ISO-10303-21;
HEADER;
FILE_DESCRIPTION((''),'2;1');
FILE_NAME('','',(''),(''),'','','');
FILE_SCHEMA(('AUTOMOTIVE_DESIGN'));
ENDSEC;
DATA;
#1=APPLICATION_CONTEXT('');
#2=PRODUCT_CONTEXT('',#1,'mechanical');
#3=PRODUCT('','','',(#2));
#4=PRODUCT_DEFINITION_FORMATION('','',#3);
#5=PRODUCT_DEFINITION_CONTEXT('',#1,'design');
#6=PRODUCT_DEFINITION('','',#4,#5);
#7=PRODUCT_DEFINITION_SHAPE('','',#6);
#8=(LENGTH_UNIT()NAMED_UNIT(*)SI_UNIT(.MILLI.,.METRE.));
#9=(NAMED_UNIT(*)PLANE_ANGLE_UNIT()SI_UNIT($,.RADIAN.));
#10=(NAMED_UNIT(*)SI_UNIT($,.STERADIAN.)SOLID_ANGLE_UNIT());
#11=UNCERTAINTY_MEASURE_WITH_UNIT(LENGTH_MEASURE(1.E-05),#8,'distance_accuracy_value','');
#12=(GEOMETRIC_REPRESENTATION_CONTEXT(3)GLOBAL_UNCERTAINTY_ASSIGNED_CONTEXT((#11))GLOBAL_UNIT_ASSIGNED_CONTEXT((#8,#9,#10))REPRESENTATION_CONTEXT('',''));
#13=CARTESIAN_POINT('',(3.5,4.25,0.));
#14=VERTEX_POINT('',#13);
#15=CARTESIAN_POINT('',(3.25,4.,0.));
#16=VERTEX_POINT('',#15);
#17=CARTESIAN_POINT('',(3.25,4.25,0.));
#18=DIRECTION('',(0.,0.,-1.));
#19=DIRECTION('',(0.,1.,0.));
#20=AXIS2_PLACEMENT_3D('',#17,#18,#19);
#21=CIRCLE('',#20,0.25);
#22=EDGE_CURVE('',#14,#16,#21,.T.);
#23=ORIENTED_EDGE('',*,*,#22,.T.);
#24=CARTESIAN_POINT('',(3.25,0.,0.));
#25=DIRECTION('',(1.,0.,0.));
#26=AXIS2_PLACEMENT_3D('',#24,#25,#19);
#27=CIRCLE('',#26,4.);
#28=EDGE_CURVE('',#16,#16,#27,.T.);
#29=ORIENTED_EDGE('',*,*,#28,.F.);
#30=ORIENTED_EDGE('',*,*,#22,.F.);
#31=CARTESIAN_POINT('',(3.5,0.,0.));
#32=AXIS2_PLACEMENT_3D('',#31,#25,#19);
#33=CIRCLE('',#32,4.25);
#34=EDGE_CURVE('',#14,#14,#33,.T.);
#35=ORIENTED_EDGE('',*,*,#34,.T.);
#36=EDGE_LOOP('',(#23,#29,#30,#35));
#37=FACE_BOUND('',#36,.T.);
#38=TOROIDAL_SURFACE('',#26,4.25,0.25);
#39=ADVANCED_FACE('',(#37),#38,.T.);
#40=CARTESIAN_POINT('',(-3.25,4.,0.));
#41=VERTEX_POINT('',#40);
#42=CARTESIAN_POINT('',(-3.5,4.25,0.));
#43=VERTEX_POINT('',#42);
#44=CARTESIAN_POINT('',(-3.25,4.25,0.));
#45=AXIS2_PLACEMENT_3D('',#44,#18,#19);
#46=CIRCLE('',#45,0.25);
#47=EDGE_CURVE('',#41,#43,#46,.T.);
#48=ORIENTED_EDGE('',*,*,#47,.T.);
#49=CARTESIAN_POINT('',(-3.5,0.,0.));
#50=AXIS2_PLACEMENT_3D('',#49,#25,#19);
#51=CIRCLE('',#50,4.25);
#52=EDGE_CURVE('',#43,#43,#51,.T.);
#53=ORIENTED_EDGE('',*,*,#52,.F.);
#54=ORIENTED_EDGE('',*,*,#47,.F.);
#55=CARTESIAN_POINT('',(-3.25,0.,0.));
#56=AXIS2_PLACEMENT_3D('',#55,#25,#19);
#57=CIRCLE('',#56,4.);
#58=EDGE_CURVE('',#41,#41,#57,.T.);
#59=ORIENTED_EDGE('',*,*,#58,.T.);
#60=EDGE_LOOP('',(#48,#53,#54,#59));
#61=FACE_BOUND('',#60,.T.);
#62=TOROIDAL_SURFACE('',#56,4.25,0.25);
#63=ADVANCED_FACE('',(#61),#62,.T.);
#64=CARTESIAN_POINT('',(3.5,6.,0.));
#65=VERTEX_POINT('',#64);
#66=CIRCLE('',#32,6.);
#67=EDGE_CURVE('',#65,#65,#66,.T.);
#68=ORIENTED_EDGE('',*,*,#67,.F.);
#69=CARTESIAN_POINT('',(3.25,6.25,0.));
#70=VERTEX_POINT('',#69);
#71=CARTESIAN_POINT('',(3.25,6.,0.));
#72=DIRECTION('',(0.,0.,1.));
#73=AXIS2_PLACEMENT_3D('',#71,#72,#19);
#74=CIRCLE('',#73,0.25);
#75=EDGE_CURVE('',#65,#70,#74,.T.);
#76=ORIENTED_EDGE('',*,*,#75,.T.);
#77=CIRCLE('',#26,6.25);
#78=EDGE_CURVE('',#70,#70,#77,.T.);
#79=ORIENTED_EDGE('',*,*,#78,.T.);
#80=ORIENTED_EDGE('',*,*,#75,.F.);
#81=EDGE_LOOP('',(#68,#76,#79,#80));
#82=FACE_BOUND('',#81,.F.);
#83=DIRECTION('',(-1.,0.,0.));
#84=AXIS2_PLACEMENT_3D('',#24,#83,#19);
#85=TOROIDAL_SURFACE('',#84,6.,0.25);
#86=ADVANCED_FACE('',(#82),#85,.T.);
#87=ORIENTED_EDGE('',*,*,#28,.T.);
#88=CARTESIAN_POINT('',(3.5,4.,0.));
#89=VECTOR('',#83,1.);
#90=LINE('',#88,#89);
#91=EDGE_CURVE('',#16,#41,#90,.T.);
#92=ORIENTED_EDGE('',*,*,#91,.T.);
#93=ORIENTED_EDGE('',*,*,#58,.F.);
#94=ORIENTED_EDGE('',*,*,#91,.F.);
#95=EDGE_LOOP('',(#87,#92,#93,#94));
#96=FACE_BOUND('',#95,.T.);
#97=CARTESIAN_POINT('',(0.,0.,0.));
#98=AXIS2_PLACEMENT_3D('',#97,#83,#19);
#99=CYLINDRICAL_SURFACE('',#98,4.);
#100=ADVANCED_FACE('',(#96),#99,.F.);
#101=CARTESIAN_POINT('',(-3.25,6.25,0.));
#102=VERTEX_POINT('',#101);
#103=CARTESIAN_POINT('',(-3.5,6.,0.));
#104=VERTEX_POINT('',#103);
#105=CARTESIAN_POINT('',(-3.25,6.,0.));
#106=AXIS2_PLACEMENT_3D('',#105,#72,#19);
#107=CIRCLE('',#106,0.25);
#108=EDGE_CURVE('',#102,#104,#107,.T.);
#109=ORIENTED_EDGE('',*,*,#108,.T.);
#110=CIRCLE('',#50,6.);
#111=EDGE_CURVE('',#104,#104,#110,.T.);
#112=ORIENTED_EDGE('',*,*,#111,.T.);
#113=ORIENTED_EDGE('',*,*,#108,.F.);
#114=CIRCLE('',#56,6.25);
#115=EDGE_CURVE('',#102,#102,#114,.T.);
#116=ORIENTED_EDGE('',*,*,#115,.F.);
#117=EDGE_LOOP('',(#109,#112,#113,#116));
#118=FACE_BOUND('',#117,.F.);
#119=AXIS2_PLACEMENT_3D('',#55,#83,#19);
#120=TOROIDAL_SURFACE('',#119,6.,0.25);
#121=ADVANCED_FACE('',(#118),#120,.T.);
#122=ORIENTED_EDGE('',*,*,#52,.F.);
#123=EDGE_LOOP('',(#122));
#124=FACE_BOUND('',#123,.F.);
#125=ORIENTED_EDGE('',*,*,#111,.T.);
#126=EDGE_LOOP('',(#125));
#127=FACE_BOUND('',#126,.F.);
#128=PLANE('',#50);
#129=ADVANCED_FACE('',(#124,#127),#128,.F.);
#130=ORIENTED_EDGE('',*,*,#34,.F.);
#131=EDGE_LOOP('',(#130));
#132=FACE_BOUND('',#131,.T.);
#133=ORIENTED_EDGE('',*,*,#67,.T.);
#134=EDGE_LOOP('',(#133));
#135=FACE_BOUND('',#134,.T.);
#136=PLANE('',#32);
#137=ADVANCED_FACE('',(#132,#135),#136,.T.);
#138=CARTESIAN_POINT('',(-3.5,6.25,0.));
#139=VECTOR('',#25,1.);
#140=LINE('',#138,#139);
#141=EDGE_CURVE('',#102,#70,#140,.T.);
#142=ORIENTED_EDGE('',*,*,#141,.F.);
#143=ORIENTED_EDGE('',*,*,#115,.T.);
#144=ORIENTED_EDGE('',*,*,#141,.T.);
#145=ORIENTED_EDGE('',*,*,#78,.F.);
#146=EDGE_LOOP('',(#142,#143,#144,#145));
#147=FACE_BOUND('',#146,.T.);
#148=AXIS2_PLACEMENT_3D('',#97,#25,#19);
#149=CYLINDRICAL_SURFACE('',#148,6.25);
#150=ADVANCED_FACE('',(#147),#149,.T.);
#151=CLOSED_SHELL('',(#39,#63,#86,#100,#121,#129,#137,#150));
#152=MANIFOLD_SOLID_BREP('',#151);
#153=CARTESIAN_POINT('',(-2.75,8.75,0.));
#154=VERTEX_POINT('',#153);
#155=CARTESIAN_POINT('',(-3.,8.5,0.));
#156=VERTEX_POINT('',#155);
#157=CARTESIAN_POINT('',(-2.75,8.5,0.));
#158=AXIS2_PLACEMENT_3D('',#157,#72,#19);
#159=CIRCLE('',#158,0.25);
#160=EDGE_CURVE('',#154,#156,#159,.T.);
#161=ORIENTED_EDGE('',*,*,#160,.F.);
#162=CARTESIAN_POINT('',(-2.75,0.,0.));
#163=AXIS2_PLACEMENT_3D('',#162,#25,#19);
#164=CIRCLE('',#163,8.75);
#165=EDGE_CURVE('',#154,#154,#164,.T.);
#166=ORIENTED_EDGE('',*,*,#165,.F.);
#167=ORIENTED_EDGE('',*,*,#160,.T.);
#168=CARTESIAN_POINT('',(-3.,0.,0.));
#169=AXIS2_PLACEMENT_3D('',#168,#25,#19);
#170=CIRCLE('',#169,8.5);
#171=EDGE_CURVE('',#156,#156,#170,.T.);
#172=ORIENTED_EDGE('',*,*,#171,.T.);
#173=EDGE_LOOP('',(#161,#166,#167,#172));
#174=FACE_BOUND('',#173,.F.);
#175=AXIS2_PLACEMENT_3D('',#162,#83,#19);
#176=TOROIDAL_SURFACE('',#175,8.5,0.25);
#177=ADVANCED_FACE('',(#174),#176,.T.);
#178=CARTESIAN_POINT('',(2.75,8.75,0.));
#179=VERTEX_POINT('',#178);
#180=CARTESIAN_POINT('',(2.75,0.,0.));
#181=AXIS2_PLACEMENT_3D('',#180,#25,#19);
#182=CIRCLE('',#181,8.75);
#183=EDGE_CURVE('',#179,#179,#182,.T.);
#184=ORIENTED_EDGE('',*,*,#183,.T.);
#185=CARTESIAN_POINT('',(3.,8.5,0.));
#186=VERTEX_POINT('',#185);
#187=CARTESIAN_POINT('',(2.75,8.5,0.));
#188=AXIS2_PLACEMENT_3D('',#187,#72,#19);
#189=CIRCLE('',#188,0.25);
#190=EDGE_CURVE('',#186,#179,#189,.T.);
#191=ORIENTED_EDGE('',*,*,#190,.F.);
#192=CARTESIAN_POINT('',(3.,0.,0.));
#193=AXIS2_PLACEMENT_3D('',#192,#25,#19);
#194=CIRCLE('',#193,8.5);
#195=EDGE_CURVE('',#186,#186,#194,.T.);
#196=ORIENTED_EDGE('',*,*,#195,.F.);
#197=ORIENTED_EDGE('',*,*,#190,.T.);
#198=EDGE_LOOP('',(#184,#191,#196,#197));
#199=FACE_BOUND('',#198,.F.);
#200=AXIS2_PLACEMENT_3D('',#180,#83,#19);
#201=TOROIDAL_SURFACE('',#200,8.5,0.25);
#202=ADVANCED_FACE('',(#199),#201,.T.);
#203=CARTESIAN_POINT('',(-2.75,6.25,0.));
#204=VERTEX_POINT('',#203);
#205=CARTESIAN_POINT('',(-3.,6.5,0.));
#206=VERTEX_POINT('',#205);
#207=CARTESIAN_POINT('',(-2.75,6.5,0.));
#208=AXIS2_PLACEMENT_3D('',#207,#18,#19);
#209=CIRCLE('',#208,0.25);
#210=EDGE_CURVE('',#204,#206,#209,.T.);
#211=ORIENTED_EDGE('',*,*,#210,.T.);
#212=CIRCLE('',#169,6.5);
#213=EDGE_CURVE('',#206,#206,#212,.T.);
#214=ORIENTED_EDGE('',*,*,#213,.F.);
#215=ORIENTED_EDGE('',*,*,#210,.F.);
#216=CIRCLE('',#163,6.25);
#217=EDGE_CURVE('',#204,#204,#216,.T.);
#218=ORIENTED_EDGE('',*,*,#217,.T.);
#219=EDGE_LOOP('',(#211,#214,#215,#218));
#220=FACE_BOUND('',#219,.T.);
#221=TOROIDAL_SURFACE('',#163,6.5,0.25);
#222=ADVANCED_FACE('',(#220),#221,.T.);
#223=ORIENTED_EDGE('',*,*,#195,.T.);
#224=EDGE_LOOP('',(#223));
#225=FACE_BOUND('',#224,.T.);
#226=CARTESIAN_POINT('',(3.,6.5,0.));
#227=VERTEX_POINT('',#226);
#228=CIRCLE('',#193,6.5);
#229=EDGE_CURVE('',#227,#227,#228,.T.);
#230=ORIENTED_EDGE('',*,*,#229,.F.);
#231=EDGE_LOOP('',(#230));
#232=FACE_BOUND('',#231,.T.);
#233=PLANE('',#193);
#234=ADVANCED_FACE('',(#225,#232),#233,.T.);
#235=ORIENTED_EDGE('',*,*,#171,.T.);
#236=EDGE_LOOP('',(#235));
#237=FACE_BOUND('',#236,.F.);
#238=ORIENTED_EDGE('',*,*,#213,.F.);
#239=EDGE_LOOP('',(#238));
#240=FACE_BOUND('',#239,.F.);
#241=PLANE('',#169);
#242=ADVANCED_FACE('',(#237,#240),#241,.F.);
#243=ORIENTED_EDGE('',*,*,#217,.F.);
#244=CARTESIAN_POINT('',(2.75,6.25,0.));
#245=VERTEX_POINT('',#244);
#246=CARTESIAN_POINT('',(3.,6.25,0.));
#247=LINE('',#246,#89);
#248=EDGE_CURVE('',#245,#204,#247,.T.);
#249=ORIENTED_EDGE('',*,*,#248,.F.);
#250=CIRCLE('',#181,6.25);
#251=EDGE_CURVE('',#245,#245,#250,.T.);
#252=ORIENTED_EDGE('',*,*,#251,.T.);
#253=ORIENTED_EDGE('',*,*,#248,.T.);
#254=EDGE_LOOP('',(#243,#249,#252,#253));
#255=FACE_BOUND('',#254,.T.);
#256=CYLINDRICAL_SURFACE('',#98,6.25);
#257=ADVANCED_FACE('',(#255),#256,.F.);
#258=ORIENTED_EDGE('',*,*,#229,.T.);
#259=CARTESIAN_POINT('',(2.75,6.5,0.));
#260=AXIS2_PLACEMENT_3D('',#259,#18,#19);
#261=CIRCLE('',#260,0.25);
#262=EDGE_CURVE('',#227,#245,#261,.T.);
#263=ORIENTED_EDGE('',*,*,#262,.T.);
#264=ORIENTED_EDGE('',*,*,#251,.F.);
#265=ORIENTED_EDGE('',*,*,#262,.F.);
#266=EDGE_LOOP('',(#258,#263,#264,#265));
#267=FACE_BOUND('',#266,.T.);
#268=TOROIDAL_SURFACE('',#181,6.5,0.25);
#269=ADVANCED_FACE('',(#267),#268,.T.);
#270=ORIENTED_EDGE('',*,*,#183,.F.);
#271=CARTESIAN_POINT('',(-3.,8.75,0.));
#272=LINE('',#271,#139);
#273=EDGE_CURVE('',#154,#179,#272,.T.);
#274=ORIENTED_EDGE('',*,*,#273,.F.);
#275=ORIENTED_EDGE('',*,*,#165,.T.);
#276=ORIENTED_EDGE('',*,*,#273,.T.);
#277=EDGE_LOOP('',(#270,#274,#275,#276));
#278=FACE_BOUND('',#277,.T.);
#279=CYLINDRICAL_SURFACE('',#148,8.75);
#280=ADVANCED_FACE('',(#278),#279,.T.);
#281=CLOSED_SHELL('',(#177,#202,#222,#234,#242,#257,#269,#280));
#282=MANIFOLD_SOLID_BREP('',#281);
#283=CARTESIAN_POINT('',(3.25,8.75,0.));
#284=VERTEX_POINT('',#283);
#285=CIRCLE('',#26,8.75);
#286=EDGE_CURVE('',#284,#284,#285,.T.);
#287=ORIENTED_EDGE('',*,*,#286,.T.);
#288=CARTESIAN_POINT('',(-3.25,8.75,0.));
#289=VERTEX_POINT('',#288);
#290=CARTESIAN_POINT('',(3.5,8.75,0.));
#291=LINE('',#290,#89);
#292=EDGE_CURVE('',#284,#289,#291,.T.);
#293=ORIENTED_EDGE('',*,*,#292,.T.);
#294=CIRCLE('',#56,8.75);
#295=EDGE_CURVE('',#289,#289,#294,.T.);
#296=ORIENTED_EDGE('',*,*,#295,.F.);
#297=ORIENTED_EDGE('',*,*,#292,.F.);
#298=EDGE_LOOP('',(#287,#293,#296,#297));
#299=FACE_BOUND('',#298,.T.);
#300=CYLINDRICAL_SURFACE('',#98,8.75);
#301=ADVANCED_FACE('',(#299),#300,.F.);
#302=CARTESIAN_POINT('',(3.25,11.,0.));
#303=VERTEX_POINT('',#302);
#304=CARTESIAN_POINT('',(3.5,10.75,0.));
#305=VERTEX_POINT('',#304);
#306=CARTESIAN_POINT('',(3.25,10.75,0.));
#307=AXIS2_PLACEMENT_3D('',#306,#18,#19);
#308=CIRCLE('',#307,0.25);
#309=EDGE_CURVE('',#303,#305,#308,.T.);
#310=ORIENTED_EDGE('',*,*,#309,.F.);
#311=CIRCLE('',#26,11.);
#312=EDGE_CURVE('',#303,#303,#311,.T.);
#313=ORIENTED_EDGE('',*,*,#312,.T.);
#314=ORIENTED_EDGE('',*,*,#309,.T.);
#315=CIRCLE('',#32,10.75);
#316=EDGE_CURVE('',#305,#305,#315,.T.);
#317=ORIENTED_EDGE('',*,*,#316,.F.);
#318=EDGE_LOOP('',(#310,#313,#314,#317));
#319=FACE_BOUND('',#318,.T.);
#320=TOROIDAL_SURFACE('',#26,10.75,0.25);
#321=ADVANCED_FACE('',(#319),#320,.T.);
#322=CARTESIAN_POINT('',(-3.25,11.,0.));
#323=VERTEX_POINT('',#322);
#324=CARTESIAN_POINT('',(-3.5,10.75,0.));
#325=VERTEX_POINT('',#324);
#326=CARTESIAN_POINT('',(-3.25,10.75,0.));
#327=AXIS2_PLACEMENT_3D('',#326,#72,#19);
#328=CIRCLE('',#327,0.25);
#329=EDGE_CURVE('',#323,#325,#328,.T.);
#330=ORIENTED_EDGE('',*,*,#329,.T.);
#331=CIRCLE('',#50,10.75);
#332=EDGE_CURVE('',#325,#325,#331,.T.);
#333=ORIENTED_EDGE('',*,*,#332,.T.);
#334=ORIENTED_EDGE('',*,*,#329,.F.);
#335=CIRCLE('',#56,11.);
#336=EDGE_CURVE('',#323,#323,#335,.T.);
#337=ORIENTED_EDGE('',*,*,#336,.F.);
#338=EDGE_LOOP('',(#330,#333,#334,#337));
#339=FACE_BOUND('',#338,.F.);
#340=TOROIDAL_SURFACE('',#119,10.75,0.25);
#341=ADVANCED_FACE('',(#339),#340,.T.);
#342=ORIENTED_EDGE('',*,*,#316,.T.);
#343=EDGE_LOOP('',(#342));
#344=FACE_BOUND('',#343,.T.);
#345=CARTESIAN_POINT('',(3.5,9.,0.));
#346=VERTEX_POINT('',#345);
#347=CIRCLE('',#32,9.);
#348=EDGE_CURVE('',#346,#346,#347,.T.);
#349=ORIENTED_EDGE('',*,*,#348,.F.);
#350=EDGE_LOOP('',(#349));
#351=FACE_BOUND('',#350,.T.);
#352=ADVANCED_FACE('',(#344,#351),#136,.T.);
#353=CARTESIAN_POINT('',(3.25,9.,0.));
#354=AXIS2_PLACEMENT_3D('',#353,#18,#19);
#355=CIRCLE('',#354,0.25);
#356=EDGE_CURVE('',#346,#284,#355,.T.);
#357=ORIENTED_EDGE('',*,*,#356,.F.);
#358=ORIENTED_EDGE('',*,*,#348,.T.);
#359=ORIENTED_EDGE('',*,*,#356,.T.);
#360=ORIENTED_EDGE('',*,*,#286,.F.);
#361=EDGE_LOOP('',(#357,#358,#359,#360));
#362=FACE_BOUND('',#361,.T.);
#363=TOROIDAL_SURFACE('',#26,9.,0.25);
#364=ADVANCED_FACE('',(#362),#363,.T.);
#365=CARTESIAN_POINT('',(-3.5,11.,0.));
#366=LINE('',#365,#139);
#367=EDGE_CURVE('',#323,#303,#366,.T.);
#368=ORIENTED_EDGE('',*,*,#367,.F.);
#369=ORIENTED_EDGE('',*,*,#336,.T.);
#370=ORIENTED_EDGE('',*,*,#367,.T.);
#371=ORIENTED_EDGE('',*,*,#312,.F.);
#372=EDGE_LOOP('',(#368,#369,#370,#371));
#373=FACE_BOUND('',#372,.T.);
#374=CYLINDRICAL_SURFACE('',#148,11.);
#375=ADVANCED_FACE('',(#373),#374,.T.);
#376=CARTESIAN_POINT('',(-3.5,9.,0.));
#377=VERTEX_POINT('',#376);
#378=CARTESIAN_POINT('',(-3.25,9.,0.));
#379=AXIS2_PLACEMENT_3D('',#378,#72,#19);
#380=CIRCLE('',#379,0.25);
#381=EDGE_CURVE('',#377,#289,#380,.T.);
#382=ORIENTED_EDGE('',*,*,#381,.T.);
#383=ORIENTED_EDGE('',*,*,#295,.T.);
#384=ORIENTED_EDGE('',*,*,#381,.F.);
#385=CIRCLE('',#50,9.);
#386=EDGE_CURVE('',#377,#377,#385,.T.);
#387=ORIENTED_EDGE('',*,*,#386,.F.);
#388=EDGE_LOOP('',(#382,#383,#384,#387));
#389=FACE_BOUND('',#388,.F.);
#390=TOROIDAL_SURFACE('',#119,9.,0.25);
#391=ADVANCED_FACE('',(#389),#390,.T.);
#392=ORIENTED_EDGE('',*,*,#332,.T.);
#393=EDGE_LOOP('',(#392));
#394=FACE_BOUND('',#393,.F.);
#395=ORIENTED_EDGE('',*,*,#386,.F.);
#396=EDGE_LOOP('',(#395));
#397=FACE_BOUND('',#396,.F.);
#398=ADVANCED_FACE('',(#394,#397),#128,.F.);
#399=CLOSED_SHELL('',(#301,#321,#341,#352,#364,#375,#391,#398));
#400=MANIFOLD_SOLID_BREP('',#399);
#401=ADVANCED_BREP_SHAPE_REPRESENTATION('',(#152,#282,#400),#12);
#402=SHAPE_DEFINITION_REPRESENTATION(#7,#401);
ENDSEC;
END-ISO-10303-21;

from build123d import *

# Parameters (mm, degrees)
F0_R     = 11
F0_R_2   = 8.75
F1_DEPTH = 3.5
F2_R     = 0.25
F3_R     = 0.25
F4_R     = 6.25
F4_R_2   = 4
F5_DEPTH = 3.5
F6_R     = 0.25
F7_R     = 0.25
F8_R     = 8.75
F8_R_2   = 6.25
F9_DEPTH = 3
F10_R    = 0.25
F11_R    = 0.25


with BuildPart() as f1:
    # F0 (on Right) → F1 (new body, symmetric)
    with BuildSketch(Plane.YZ):
        Circle(F0_R)
        Circle(F0_R_2, mode=Mode.SUBTRACT)
    extrude(amount=F1_DEPTH, both=True)

    # F2
    f2_edges = [f1.edges().sort_by_distance(p)[0] for p in [
        (-3.5, -11, 0),
        (0, 11, 0),
        (3.5, -11, 0),
        (3.5, -8.75, 0),
    ]]
    fillet(f2_edges, radius=F2_R)

    # F3
    f3_edges = [f1.edges().sort_by_distance(p)[0] for p in [
        (-0.125, 8.75, 0),
        (3.25, -8.75, 0),
        (-3.5, -8.75, 0),
    ]]
    fillet(f3_edges, radius=F3_R)


with BuildPart() as f5:
    # F4 (on Right) → F5 (new body, symmetric)
    with BuildSketch(Plane.YZ):
        Circle(F4_R)
        Circle(F4_R_2, mode=Mode.SUBTRACT)
    extrude(amount=F5_DEPTH, both=True)

    # F6
    f6_edges = [f5.edges().sort_by_distance(p)[0] for p in [
        (3.5, -4, 0),
        (0, 4, 0),
        (-3.5, -4, 0),
    ]]
    fillet(f6_edges, radius=F6_R)

    # F7
    f7_edges = [f5.edges().sort_by_distance(p)[0] for p in [
        (-3.5, -6.25, 0),
        (0, 6.25, 0),
        (3.5, -6.25, 0),
    ]]
    fillet(f7_edges, radius=F7_R)


with BuildPart() as f9:
    # F8 (on Right) → F9 (new body, symmetric)
    with BuildSketch(Plane.YZ):
        Circle(F8_R)
        Circle(F8_R_2, mode=Mode.SUBTRACT)
    extrude(amount=F9_DEPTH, both=True)

    # F10
    f10_edges = [f9.edges().sort_by_distance(p)[0] for p in [
        (3, -6.25, 0),
        (0, 6.25, 0),
        (-3, -6.25, 0),
    ]]
    fillet(f10_edges, radius=F10_R)

    # F11
    f11_edges = [f9.edges().sort_by_distance(p)[0] for p in [
        (-3, -8.75, 0),
        (0, 8.75, 0),
        (3, -8.75, 0),
    ]]
    fillet(f11_edges, radius=F11_R)


solid = Compound([f1.part, f5.part, f9.part])
